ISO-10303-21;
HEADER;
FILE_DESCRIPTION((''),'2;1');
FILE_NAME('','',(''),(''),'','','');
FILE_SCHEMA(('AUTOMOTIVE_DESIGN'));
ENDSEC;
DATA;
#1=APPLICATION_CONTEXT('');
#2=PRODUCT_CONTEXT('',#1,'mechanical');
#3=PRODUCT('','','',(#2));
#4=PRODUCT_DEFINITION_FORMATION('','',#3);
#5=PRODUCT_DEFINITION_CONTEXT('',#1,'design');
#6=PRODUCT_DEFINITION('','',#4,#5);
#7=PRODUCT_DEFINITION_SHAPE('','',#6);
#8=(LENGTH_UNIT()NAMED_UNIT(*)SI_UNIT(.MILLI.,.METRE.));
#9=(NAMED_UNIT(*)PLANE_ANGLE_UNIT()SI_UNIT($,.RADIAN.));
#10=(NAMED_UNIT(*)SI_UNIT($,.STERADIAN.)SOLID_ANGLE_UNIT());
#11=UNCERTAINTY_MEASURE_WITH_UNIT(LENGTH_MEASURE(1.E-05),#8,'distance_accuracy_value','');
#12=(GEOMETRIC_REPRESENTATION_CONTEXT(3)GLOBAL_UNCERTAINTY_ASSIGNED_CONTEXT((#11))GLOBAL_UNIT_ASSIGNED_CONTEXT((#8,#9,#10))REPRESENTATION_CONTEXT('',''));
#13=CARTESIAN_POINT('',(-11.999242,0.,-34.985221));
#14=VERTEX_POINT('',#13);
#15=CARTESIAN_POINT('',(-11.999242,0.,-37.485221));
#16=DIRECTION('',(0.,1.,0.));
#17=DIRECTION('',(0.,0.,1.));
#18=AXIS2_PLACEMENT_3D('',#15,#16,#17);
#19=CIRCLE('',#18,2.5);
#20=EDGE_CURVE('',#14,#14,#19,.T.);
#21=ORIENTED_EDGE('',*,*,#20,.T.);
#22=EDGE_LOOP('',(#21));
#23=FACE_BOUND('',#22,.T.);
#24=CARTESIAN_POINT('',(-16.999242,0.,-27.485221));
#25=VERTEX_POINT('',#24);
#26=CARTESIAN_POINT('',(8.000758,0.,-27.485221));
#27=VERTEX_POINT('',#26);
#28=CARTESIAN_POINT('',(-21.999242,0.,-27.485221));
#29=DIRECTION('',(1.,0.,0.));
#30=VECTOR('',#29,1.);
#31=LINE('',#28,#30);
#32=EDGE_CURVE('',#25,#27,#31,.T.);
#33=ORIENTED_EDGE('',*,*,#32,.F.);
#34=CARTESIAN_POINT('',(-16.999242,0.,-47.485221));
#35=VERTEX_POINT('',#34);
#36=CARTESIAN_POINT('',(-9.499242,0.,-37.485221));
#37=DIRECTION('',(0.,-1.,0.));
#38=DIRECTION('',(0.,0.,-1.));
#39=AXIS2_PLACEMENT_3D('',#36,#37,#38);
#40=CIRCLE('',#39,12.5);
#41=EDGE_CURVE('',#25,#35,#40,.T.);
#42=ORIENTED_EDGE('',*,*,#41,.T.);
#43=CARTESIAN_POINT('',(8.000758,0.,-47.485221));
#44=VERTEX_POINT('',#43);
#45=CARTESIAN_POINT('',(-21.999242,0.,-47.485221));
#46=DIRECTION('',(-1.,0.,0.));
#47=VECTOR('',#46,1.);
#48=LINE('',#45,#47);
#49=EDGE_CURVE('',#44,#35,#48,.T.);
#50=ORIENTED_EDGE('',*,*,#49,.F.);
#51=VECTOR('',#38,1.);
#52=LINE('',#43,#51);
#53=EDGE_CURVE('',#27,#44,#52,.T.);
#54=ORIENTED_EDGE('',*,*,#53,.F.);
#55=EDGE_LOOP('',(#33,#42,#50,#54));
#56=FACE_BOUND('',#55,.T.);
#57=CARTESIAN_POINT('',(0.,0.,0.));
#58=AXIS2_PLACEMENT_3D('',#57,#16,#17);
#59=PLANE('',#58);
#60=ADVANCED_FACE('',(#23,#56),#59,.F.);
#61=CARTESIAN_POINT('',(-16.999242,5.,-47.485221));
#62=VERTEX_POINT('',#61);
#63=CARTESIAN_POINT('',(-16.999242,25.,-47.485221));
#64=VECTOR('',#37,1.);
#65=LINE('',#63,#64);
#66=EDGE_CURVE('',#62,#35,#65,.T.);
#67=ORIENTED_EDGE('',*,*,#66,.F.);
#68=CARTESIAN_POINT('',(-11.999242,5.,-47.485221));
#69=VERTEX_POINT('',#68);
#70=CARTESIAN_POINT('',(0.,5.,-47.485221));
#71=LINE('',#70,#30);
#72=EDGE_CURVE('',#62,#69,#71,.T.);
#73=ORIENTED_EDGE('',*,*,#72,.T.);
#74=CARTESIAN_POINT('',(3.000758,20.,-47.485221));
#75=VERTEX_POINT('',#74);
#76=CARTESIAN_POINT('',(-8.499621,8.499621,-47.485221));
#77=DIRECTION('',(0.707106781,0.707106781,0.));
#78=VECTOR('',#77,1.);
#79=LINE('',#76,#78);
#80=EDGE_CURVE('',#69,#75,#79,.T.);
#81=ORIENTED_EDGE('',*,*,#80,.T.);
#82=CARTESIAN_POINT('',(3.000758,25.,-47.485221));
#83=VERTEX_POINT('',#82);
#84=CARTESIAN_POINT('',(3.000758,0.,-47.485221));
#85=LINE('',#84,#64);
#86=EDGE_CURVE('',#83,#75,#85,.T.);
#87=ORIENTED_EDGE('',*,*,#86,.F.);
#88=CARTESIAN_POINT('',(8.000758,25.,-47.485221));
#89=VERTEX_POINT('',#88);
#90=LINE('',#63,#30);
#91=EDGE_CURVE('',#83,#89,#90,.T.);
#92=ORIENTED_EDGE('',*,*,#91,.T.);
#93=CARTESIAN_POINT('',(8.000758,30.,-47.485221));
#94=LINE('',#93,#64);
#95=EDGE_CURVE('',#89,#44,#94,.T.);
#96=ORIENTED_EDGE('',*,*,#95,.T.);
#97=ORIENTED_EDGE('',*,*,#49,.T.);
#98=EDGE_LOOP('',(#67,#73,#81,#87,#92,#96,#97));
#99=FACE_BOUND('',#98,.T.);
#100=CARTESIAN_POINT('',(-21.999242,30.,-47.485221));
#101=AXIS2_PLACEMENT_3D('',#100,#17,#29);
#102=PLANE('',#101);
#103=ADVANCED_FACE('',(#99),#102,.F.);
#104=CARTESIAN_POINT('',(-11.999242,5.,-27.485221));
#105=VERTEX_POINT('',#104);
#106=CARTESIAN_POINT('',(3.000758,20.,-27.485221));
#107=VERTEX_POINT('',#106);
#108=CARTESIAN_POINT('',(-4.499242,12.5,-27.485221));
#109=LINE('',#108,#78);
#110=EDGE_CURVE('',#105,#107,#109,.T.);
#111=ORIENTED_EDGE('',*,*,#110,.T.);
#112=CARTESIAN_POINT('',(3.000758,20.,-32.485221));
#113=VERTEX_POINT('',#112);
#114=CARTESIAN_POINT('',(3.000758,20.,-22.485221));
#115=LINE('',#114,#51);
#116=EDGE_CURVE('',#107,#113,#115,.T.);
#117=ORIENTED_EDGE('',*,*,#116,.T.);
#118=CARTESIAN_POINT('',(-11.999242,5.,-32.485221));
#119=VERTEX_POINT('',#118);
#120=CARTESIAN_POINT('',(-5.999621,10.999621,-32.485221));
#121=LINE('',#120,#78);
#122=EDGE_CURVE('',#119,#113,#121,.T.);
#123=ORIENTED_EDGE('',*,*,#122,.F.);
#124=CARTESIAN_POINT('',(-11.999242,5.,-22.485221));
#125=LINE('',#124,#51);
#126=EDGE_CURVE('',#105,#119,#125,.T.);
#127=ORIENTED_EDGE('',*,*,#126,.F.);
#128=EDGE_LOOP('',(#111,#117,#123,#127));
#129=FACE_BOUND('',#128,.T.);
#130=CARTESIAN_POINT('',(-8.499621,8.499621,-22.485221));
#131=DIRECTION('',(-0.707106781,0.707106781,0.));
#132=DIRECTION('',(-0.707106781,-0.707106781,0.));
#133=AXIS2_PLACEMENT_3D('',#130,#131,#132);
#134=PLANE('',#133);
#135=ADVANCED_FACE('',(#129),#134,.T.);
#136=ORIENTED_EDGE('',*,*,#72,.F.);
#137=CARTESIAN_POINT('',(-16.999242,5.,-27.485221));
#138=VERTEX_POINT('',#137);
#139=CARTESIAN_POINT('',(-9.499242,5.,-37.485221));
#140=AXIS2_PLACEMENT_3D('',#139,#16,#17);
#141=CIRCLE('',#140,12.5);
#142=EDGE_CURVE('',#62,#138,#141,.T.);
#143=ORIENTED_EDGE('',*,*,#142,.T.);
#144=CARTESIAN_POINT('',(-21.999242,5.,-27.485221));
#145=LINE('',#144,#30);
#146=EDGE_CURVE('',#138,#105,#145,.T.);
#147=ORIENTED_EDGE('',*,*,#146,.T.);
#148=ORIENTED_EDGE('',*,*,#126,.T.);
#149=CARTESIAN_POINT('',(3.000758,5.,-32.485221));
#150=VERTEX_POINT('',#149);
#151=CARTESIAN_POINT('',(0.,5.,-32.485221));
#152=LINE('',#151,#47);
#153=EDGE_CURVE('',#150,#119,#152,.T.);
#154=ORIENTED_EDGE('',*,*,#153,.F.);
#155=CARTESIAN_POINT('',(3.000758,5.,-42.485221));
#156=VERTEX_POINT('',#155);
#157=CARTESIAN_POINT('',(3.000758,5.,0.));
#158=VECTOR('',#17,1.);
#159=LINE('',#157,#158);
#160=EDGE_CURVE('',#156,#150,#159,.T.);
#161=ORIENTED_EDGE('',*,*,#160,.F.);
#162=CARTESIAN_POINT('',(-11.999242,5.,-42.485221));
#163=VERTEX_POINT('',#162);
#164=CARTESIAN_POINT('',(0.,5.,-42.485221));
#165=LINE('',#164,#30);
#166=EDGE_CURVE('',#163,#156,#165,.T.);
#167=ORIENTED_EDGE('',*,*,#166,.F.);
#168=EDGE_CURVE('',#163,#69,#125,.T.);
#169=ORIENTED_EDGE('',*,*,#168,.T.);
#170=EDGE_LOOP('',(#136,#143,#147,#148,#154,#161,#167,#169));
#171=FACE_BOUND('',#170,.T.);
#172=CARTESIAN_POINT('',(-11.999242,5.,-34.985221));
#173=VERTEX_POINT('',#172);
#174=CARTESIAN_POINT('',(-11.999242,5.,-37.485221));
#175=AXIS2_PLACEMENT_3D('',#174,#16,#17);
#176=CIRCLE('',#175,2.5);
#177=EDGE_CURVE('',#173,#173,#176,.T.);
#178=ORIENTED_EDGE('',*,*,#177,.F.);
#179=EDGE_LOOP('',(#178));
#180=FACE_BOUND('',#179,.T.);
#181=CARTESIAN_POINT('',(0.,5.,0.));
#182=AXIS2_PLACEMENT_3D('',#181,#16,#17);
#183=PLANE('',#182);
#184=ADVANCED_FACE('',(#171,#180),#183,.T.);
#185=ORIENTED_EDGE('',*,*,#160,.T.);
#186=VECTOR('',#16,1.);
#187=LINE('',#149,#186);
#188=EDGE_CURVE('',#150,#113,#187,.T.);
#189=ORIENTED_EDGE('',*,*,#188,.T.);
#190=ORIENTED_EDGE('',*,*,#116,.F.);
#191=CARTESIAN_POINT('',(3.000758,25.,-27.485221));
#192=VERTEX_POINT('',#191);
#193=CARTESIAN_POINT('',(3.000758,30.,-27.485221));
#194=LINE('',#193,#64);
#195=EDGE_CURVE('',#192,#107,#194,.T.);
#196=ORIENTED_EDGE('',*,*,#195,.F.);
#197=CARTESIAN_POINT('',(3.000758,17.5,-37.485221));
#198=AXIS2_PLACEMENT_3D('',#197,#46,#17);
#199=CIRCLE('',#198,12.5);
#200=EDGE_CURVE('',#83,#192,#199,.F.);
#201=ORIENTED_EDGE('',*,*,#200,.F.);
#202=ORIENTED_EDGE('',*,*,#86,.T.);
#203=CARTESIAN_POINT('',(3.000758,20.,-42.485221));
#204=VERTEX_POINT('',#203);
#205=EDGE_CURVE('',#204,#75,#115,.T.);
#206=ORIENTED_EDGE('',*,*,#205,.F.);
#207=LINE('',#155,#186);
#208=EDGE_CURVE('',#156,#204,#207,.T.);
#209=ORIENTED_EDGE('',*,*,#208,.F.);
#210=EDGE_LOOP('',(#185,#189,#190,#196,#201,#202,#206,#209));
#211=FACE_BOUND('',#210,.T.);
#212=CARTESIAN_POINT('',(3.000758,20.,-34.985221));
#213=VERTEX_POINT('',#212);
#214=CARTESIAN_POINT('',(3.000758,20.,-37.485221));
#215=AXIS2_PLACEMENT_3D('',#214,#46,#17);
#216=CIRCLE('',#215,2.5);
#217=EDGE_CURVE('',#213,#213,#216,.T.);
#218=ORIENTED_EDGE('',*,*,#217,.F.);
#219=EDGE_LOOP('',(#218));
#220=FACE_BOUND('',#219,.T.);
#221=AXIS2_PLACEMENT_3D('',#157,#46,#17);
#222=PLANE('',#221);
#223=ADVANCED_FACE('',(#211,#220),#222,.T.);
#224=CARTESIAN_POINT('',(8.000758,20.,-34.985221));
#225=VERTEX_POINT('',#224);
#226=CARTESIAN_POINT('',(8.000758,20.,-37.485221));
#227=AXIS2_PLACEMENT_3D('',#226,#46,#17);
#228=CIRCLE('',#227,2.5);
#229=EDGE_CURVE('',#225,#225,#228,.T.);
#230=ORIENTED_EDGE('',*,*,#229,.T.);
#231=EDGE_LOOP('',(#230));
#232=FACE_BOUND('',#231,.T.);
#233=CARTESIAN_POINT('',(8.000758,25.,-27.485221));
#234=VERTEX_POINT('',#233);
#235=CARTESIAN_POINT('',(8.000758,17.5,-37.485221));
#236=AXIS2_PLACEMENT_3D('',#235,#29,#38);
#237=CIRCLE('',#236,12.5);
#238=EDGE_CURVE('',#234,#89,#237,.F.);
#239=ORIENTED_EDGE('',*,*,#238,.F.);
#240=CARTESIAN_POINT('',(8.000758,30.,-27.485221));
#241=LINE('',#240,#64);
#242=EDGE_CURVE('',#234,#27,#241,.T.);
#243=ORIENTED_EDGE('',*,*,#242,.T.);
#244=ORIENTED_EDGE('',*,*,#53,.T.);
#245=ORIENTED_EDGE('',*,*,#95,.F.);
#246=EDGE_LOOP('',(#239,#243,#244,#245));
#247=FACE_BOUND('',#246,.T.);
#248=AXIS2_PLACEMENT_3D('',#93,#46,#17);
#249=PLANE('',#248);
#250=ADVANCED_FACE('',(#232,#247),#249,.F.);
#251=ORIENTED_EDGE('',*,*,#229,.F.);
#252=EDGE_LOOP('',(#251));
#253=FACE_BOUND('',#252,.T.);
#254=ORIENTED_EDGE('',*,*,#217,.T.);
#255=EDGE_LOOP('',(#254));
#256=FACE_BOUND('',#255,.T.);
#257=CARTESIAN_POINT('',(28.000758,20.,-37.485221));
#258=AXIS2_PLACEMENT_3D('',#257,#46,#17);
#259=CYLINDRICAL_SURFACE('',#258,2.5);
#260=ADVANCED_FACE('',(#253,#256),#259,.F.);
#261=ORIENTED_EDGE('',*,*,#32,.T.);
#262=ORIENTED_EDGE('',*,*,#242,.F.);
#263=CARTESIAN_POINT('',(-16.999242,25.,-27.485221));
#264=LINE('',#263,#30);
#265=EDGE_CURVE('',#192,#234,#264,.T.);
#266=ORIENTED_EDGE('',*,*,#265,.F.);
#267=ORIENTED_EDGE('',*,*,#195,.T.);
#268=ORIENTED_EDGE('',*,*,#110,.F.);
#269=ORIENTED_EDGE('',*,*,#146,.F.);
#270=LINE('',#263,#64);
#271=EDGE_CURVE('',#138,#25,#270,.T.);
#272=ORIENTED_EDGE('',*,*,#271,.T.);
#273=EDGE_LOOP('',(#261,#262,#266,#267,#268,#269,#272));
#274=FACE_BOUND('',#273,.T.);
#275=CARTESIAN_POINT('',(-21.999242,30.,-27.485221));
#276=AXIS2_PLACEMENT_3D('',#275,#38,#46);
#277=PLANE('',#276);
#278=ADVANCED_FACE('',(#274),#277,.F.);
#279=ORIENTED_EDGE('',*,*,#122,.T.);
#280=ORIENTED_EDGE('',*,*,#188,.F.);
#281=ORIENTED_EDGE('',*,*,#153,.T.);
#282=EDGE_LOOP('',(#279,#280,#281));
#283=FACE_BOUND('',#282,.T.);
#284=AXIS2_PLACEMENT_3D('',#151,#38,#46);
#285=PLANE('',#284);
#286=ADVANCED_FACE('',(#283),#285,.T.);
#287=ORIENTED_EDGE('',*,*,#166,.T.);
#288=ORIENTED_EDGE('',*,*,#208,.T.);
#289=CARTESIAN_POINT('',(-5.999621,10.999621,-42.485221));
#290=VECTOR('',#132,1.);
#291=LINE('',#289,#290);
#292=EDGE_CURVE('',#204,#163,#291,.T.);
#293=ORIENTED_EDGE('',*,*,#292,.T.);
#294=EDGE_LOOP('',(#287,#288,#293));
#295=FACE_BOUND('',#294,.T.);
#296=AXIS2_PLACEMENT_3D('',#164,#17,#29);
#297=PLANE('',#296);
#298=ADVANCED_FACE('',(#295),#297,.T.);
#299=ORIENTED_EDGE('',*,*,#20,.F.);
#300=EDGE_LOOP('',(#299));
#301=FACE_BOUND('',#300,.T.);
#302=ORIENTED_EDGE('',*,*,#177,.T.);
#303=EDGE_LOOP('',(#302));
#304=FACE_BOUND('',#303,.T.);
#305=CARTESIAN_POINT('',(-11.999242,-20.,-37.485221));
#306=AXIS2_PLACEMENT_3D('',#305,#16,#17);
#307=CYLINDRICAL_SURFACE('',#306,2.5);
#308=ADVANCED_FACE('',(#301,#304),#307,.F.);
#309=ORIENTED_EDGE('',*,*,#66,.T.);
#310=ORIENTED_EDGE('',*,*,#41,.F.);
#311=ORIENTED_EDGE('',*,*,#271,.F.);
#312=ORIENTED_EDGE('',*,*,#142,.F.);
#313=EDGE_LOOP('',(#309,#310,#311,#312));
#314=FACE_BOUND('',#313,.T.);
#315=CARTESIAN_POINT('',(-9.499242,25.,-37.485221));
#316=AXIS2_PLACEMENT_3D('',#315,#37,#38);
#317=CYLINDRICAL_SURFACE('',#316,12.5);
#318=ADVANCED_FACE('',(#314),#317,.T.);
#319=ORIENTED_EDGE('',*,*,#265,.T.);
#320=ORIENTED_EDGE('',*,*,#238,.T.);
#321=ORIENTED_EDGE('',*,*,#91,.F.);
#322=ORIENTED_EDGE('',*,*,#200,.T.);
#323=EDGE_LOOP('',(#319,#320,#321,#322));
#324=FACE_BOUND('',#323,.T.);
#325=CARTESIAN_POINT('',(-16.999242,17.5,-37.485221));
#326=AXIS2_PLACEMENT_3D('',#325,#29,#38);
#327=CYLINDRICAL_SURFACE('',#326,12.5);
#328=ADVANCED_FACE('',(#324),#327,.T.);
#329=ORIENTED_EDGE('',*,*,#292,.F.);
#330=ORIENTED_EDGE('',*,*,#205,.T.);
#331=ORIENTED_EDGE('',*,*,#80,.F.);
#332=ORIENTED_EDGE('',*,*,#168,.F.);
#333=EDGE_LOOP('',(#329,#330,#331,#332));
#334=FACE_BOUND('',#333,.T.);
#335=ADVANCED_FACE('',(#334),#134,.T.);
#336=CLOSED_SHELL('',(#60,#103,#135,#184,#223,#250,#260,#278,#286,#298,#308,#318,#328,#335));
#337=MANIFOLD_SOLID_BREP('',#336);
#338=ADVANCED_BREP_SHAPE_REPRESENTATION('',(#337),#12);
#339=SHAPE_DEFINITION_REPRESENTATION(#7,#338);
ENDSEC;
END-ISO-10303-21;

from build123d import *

# Parameters (mm, degrees)
SKETCH2_W           = 30
SKETCH2_H           = 20
BOSS_EXTRUDE1_DEPTH = 30
SKETCH3_W           = 25
SKETCH3_H           = 10
CUT_EXTRUDE1_DEPTH  = 25
CUT_EXTRUDE3_DEPTH  = 25
CUT_EXTRUDE4_DEPTH  = 25
CUT_EXTRUDE5_DEPTH  = 25
SKETCH7_R           = 2.5
CUT_EXTRUDE6_DEPTH  = 25
SKETCH8_R           = 2.5
CUT_EXTRUDE7_DEPTH  = 25


with BuildPart() as part:
    # Sketch2 → Boss-Extrude1 (new body)
    with BuildSketch(Plane(origin=(0, 0, 0), x_dir=(1, 0, 0), z_dir=(0, 1, 0))):
        with Locations((-6.999241769, 37.48522127)):
            Rectangle(SKETCH2_W, SKETCH2_H)
    extrude(amount=BOSS_EXTRUDE1_DEPTH)

    # Sketch3 → Cut-Extrude1 (cut)
    with BuildSketch(Plane(origin=(0, 30, 0), x_dir=(1, 0, 0), z_dir=(0, 1, 0))):
        with Locations((-9.499241769, 37.48522127)):
            Rectangle(SKETCH3_W, SKETCH3_H)
    extrude(amount=-CUT_EXTRUDE1_DEPTH, mode=Mode.SUBTRACT)

    # Sketch4 → Cut-Extrude3 (cut)
    with BuildSketch(Plane(origin=(0, 0, -47.48522127), x_dir=(-1, 0, 0), z_dir=(0, 0, -1))):
        Polygon((21.999241769, 30), (-3.000758231, 30), (-3.000758231, 20), (11.999241769, 5), (21.999241769, 5), align=None)
    extrude(amount=-CUT_EXTRUDE3_DEPTH, mode=Mode.SUBTRACT)

    # Sketch5 → Cut-Extrude4 (cut)
    with BuildSketch(Plane(origin=(8.000758231, 0, 0), x_dir=(0, 0, -1), z_dir=(1, 0, 0))):
        with BuildLine():
            Line((37.48522127, 30), (27.48522127, 30))
            Line((27.48522127, 30), (27.48522127, 25))
            ThreePointArc((27.48522127, 25), (31.895051326, 28.680339887), (37.48522127, 30))
        make_face()
        with BuildLine():
            Line((47.48522127, 30), (37.48522127, 30))
            ThreePointArc((37.48522127, 30), (43.075391214, 28.680339887), (47.48522127, 25))
            Line((47.48522127, 25), (47.48522127, 30))
        make_face()
    extrude(amount=-CUT_EXTRUDE4_DEPTH, mode=Mode.SUBTRACT)

    # Sketch6 → Cut-Extrude5 (cut)
    with BuildSketch(Plane.XZ):
        with BuildLine():
            Line((-16.999241769, -27.48522127), (-21.999241769, -27.48522127))
            Line((-21.999241769, -27.48522127), (-21.999241769, -37.485221231))
            ThreePointArc((-21.999241769, -37.485221231), (-20.679581647, -31.895051309), (-16.999241769, -27.48522127))
        make_face()
        with BuildLine():
            ThreePointArc((-16.999241769, -47.48522127), (-20.679581665, -43.075391196), (-21.999241769, -37.485221231))
            Line((-21.999241769, -37.485221231), (-21.999241769, -47.48522127))
            Line((-21.999241769, -47.48522127), (-16.999241769, -47.48522127))
        make_face()
    extrude(amount=-CUT_EXTRUDE5_DEPTH, mode=Mode.SUBTRACT)

    # Sketch7 → Cut-Extrude6 (cut)
    with BuildSketch(Plane(origin=(0, 5, 0), x_dir=(1, 0, 0), z_dir=(0, 1, 0))):
        with Locations(Location((-11.999241769, 37.48522127, 0), (0, 0, 270))):
            Circle(SKETCH7_R)
    extrude(amount=-CUT_EXTRUDE6_DEPTH, mode=Mode.SUBTRACT)

    # Sketch8 → Cut-Extrude7 (cut)
    with BuildSketch(Plane.ZY.offset(-3.000758231)):
        with Locations((-37.48522127, 20)):
            Circle(SKETCH8_R)
    extrude(amount=-CUT_EXTRUDE7_DEPTH, mode=Mode.SUBTRACT)


solid = part.part
